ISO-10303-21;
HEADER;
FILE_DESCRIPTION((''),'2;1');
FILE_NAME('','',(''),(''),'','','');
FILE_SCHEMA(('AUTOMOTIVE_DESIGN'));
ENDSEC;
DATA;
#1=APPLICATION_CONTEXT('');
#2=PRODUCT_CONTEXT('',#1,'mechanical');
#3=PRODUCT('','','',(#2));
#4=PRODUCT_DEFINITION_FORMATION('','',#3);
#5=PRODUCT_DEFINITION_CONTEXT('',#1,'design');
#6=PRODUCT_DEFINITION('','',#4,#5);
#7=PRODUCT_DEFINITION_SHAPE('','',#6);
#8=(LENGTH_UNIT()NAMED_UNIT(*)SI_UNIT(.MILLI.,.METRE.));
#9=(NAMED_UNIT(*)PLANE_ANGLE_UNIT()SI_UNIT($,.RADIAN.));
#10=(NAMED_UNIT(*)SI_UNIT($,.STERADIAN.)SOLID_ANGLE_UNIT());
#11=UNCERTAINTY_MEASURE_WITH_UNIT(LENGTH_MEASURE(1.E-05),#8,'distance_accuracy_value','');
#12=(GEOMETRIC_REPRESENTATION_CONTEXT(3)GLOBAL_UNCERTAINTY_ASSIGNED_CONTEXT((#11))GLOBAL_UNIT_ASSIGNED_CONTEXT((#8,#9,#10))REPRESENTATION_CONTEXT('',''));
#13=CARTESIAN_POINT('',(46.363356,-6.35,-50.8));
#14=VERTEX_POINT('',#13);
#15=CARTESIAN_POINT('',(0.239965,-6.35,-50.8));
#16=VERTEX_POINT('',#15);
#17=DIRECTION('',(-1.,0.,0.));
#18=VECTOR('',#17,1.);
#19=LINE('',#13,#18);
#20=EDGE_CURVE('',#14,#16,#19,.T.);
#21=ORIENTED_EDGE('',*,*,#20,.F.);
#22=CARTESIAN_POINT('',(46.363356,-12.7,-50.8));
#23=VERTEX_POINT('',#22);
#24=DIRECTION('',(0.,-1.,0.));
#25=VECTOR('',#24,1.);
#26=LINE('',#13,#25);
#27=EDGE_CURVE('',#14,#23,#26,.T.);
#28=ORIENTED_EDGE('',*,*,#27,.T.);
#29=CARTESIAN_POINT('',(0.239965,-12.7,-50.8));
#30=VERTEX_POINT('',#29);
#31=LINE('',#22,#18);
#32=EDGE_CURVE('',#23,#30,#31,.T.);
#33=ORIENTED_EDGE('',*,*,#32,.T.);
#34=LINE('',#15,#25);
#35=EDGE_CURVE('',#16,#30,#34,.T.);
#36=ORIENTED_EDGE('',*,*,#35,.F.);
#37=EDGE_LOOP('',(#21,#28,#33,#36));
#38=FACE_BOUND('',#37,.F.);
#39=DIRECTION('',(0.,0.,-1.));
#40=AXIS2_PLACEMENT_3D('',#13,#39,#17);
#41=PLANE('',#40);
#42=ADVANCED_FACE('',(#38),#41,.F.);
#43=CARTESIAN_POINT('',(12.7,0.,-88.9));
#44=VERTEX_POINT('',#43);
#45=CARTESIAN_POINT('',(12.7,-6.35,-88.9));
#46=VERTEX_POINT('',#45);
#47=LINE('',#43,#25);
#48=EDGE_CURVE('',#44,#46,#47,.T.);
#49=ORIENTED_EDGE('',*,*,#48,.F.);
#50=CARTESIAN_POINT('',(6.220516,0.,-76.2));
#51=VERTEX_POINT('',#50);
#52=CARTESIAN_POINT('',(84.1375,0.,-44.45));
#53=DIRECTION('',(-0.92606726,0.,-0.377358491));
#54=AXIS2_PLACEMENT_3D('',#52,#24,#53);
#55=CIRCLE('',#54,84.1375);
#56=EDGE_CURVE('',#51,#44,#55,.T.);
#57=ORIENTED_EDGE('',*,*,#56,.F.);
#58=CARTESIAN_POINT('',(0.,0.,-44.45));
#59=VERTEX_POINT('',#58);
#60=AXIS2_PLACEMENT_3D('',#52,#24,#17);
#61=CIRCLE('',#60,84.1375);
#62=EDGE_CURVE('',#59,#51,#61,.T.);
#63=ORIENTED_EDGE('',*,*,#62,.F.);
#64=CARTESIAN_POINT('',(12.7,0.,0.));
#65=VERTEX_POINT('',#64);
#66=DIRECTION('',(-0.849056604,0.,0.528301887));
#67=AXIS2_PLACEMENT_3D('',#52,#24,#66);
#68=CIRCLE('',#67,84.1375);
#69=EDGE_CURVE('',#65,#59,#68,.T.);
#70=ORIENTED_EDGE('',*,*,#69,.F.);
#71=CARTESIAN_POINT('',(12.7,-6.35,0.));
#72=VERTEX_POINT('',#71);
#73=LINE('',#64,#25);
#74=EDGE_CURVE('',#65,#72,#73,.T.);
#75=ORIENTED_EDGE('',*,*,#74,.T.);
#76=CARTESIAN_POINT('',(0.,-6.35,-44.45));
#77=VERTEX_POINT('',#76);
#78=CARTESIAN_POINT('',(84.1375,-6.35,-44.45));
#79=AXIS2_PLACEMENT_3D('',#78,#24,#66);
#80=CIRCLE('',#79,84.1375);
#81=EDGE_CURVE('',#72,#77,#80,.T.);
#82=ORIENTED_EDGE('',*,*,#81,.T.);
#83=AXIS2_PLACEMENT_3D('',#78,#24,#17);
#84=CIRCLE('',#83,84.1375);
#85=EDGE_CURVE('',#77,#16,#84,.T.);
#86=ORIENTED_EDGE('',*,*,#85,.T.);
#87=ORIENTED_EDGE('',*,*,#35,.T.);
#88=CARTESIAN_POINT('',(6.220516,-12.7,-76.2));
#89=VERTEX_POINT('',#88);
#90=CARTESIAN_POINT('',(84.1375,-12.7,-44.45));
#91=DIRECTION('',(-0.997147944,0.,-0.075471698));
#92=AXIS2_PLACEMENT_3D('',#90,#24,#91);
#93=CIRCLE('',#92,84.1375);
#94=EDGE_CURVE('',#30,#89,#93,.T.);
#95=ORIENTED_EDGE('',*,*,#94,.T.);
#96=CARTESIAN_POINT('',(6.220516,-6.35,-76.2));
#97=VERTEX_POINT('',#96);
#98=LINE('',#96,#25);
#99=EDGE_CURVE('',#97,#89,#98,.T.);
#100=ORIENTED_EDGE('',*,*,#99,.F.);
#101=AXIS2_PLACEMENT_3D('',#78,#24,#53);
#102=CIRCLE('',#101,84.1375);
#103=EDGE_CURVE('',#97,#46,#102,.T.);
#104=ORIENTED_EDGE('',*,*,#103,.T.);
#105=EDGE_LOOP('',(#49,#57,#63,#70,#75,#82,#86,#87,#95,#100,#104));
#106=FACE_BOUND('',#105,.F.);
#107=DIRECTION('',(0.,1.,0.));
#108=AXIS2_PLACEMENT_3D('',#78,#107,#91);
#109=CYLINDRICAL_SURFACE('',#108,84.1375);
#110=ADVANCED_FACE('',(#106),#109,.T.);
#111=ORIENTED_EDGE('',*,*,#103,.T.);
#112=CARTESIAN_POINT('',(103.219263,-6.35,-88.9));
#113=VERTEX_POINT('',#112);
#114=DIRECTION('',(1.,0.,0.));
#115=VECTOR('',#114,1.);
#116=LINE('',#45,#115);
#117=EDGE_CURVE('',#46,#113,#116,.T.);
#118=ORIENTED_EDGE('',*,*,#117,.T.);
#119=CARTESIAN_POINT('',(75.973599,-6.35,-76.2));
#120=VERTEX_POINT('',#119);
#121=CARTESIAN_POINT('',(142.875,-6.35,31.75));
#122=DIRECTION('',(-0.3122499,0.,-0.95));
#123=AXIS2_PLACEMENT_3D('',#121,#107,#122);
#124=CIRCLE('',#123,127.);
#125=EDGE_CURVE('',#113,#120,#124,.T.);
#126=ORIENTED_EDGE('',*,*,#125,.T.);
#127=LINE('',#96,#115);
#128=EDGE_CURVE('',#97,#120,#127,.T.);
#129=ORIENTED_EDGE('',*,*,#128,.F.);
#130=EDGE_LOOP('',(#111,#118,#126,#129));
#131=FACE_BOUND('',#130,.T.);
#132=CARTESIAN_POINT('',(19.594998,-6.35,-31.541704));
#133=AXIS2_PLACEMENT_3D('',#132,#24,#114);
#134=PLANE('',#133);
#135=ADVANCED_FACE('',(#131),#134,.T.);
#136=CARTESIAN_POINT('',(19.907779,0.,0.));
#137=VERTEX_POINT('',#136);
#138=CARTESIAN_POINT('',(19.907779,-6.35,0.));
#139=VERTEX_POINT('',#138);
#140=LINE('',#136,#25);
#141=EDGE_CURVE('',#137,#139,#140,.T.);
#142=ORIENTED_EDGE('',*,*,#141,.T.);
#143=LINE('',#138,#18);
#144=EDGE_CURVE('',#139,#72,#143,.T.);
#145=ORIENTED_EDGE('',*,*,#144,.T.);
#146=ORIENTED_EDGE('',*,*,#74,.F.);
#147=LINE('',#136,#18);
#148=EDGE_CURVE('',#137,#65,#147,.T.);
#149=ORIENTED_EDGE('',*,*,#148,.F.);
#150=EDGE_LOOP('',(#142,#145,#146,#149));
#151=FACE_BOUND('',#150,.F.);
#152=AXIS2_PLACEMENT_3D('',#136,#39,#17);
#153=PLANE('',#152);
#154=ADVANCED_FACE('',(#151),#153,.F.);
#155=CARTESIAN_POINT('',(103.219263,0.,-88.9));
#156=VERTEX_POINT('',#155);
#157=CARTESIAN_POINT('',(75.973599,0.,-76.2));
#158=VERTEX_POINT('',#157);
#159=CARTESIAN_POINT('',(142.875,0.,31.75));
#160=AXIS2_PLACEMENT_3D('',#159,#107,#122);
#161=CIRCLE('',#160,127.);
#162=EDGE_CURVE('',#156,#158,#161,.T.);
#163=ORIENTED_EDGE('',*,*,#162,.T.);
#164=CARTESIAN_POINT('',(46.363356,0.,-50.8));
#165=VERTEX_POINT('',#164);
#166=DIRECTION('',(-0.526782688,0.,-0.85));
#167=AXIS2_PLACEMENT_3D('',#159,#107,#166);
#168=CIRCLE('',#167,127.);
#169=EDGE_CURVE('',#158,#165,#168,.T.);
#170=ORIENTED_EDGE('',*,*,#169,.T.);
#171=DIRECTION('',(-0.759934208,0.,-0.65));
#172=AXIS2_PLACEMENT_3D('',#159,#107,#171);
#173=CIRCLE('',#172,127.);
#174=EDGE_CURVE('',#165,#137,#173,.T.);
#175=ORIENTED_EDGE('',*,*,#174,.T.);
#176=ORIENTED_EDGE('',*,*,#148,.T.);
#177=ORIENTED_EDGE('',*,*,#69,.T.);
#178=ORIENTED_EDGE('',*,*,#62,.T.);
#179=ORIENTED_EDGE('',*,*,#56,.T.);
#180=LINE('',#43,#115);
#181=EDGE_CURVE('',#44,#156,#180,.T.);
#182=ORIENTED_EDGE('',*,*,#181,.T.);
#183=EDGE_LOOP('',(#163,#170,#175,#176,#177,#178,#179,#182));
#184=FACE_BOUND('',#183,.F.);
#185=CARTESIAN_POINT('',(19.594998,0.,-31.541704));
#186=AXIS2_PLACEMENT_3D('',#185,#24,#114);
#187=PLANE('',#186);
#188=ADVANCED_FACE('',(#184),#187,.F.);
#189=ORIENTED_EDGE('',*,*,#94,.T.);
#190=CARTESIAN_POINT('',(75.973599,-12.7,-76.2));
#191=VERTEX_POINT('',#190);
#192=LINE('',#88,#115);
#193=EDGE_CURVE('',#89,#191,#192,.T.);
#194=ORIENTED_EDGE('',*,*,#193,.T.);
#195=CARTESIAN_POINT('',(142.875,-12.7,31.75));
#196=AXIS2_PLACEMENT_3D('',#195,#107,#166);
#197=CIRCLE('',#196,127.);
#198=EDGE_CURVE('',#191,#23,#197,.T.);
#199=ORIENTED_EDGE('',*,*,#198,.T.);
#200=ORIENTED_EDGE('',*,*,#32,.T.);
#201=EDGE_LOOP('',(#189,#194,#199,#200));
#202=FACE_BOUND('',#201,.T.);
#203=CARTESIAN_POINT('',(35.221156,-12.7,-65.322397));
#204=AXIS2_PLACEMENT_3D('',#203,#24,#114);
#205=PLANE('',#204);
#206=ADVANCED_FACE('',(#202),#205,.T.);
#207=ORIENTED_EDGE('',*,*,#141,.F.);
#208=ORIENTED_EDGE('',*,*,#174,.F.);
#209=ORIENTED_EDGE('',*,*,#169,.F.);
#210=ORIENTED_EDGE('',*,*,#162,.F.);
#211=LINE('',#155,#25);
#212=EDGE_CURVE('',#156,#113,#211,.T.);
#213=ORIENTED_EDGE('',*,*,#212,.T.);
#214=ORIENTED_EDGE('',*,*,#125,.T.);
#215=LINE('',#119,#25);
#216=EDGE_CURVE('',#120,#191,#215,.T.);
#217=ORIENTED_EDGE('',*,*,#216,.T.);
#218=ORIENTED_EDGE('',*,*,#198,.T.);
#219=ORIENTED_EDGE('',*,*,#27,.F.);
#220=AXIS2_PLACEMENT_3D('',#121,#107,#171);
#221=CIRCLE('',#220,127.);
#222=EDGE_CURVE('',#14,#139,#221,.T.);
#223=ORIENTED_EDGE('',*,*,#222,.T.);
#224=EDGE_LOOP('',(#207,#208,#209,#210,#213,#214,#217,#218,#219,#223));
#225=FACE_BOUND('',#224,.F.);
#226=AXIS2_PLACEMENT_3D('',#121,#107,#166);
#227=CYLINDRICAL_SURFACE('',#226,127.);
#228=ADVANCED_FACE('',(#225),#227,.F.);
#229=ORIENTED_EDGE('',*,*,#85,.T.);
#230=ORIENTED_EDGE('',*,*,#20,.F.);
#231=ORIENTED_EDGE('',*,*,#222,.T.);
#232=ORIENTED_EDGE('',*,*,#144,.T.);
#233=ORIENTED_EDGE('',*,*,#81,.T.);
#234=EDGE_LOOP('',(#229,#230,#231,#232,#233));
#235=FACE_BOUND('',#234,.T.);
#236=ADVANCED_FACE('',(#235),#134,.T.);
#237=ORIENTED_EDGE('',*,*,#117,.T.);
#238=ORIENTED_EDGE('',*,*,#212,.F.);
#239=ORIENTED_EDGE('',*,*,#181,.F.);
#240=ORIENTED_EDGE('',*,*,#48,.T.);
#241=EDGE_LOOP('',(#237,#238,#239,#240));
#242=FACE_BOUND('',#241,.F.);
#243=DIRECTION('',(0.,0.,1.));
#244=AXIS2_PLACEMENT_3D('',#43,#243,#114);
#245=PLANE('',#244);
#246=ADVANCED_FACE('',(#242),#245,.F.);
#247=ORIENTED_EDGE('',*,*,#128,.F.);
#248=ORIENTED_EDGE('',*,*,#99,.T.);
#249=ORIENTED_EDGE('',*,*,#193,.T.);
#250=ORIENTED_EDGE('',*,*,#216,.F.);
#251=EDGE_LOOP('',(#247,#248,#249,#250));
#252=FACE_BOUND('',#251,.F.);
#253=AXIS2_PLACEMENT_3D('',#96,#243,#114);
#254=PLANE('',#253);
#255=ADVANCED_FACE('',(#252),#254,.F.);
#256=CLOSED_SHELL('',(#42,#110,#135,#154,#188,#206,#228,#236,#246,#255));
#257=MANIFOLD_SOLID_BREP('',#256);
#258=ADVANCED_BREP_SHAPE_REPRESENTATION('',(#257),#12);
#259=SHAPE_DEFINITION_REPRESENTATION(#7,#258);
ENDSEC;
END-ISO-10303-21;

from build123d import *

# Parameters (mm, degrees)
F1_DEPTH = 6.35
F3_DEPTH = 6.35


with BuildPart() as f1:
    # F0 (on Front) → F1 (new body)
    with BuildSketch(Plane.XZ):
        with BuildLine():
            ThreePointArc((12.7, 0), (3.2372788554, -21.3356511015), (0, -44.45))
            ThreePointArc((0, -44.45), (0.0600126121, -47.6272662433), (0.2399648381, -50.8))
            Line((0.2399648381, -50.8), (46.3633556248, -50.8))
            ThreePointArc((46.3633556248, -50.8), (30.2344073473, -26.9108633319), (19.9077787579, 0))
            Line((19.9077787579, 0), (12.7, 0))
        make_face()
        with BuildLine():
            Line((46.3633556248, -50.8), (0.2399648381, -50.8))
            ThreePointArc((0.2399648381, -50.8), (2.2395472881, -63.7332634128), (6.220515932, -76.2))
            Line((6.220515932, -76.2), (75.9735986694, -76.2))
            ThreePointArc((75.9735986694, -76.2), (60.1873595892, -64.6437452498), (46.3633556248, -50.8))
        make_face()
        with BuildLine():
            ThreePointArc((6.220515932, -76.2), (9.1907657296, -82.6874937522), (12.7, -88.9))
            Line((12.7, -88.9), (13.0139251954, -88.9))
            Line((13.0139251954, -88.9), (103.2192627102, -88.9))
            ThreePointArc((103.2192627102, -88.9), (89.2193530675, -83.3589551349), (75.9735986694, -76.2))
            Line((75.9735986694, -76.2), (6.220515932, -76.2))
        make_face()
    extrude(amount=F1_DEPTH)

    # F2 (on face) → F3 (join)
    with BuildSketch(Plane.XZ.offset(6.35)):
        with BuildLine():
            ThreePointArc((0.2399648381, -50.8), (2.2395472881, -63.7332634128), (6.220515932, -76.2))
            Line((6.220515932, -76.2), (75.9735986694, -76.2))
            ThreePointArc((75.9735986694, -76.2), (60.1873595892, -64.6437452498), (46.3633556248, -50.8))
            Line((46.3633556248, -50.8), (0.2399648381, -50.8))
        make_face()
    extrude(amount=F3_DEPTH)


solid = f1.part
